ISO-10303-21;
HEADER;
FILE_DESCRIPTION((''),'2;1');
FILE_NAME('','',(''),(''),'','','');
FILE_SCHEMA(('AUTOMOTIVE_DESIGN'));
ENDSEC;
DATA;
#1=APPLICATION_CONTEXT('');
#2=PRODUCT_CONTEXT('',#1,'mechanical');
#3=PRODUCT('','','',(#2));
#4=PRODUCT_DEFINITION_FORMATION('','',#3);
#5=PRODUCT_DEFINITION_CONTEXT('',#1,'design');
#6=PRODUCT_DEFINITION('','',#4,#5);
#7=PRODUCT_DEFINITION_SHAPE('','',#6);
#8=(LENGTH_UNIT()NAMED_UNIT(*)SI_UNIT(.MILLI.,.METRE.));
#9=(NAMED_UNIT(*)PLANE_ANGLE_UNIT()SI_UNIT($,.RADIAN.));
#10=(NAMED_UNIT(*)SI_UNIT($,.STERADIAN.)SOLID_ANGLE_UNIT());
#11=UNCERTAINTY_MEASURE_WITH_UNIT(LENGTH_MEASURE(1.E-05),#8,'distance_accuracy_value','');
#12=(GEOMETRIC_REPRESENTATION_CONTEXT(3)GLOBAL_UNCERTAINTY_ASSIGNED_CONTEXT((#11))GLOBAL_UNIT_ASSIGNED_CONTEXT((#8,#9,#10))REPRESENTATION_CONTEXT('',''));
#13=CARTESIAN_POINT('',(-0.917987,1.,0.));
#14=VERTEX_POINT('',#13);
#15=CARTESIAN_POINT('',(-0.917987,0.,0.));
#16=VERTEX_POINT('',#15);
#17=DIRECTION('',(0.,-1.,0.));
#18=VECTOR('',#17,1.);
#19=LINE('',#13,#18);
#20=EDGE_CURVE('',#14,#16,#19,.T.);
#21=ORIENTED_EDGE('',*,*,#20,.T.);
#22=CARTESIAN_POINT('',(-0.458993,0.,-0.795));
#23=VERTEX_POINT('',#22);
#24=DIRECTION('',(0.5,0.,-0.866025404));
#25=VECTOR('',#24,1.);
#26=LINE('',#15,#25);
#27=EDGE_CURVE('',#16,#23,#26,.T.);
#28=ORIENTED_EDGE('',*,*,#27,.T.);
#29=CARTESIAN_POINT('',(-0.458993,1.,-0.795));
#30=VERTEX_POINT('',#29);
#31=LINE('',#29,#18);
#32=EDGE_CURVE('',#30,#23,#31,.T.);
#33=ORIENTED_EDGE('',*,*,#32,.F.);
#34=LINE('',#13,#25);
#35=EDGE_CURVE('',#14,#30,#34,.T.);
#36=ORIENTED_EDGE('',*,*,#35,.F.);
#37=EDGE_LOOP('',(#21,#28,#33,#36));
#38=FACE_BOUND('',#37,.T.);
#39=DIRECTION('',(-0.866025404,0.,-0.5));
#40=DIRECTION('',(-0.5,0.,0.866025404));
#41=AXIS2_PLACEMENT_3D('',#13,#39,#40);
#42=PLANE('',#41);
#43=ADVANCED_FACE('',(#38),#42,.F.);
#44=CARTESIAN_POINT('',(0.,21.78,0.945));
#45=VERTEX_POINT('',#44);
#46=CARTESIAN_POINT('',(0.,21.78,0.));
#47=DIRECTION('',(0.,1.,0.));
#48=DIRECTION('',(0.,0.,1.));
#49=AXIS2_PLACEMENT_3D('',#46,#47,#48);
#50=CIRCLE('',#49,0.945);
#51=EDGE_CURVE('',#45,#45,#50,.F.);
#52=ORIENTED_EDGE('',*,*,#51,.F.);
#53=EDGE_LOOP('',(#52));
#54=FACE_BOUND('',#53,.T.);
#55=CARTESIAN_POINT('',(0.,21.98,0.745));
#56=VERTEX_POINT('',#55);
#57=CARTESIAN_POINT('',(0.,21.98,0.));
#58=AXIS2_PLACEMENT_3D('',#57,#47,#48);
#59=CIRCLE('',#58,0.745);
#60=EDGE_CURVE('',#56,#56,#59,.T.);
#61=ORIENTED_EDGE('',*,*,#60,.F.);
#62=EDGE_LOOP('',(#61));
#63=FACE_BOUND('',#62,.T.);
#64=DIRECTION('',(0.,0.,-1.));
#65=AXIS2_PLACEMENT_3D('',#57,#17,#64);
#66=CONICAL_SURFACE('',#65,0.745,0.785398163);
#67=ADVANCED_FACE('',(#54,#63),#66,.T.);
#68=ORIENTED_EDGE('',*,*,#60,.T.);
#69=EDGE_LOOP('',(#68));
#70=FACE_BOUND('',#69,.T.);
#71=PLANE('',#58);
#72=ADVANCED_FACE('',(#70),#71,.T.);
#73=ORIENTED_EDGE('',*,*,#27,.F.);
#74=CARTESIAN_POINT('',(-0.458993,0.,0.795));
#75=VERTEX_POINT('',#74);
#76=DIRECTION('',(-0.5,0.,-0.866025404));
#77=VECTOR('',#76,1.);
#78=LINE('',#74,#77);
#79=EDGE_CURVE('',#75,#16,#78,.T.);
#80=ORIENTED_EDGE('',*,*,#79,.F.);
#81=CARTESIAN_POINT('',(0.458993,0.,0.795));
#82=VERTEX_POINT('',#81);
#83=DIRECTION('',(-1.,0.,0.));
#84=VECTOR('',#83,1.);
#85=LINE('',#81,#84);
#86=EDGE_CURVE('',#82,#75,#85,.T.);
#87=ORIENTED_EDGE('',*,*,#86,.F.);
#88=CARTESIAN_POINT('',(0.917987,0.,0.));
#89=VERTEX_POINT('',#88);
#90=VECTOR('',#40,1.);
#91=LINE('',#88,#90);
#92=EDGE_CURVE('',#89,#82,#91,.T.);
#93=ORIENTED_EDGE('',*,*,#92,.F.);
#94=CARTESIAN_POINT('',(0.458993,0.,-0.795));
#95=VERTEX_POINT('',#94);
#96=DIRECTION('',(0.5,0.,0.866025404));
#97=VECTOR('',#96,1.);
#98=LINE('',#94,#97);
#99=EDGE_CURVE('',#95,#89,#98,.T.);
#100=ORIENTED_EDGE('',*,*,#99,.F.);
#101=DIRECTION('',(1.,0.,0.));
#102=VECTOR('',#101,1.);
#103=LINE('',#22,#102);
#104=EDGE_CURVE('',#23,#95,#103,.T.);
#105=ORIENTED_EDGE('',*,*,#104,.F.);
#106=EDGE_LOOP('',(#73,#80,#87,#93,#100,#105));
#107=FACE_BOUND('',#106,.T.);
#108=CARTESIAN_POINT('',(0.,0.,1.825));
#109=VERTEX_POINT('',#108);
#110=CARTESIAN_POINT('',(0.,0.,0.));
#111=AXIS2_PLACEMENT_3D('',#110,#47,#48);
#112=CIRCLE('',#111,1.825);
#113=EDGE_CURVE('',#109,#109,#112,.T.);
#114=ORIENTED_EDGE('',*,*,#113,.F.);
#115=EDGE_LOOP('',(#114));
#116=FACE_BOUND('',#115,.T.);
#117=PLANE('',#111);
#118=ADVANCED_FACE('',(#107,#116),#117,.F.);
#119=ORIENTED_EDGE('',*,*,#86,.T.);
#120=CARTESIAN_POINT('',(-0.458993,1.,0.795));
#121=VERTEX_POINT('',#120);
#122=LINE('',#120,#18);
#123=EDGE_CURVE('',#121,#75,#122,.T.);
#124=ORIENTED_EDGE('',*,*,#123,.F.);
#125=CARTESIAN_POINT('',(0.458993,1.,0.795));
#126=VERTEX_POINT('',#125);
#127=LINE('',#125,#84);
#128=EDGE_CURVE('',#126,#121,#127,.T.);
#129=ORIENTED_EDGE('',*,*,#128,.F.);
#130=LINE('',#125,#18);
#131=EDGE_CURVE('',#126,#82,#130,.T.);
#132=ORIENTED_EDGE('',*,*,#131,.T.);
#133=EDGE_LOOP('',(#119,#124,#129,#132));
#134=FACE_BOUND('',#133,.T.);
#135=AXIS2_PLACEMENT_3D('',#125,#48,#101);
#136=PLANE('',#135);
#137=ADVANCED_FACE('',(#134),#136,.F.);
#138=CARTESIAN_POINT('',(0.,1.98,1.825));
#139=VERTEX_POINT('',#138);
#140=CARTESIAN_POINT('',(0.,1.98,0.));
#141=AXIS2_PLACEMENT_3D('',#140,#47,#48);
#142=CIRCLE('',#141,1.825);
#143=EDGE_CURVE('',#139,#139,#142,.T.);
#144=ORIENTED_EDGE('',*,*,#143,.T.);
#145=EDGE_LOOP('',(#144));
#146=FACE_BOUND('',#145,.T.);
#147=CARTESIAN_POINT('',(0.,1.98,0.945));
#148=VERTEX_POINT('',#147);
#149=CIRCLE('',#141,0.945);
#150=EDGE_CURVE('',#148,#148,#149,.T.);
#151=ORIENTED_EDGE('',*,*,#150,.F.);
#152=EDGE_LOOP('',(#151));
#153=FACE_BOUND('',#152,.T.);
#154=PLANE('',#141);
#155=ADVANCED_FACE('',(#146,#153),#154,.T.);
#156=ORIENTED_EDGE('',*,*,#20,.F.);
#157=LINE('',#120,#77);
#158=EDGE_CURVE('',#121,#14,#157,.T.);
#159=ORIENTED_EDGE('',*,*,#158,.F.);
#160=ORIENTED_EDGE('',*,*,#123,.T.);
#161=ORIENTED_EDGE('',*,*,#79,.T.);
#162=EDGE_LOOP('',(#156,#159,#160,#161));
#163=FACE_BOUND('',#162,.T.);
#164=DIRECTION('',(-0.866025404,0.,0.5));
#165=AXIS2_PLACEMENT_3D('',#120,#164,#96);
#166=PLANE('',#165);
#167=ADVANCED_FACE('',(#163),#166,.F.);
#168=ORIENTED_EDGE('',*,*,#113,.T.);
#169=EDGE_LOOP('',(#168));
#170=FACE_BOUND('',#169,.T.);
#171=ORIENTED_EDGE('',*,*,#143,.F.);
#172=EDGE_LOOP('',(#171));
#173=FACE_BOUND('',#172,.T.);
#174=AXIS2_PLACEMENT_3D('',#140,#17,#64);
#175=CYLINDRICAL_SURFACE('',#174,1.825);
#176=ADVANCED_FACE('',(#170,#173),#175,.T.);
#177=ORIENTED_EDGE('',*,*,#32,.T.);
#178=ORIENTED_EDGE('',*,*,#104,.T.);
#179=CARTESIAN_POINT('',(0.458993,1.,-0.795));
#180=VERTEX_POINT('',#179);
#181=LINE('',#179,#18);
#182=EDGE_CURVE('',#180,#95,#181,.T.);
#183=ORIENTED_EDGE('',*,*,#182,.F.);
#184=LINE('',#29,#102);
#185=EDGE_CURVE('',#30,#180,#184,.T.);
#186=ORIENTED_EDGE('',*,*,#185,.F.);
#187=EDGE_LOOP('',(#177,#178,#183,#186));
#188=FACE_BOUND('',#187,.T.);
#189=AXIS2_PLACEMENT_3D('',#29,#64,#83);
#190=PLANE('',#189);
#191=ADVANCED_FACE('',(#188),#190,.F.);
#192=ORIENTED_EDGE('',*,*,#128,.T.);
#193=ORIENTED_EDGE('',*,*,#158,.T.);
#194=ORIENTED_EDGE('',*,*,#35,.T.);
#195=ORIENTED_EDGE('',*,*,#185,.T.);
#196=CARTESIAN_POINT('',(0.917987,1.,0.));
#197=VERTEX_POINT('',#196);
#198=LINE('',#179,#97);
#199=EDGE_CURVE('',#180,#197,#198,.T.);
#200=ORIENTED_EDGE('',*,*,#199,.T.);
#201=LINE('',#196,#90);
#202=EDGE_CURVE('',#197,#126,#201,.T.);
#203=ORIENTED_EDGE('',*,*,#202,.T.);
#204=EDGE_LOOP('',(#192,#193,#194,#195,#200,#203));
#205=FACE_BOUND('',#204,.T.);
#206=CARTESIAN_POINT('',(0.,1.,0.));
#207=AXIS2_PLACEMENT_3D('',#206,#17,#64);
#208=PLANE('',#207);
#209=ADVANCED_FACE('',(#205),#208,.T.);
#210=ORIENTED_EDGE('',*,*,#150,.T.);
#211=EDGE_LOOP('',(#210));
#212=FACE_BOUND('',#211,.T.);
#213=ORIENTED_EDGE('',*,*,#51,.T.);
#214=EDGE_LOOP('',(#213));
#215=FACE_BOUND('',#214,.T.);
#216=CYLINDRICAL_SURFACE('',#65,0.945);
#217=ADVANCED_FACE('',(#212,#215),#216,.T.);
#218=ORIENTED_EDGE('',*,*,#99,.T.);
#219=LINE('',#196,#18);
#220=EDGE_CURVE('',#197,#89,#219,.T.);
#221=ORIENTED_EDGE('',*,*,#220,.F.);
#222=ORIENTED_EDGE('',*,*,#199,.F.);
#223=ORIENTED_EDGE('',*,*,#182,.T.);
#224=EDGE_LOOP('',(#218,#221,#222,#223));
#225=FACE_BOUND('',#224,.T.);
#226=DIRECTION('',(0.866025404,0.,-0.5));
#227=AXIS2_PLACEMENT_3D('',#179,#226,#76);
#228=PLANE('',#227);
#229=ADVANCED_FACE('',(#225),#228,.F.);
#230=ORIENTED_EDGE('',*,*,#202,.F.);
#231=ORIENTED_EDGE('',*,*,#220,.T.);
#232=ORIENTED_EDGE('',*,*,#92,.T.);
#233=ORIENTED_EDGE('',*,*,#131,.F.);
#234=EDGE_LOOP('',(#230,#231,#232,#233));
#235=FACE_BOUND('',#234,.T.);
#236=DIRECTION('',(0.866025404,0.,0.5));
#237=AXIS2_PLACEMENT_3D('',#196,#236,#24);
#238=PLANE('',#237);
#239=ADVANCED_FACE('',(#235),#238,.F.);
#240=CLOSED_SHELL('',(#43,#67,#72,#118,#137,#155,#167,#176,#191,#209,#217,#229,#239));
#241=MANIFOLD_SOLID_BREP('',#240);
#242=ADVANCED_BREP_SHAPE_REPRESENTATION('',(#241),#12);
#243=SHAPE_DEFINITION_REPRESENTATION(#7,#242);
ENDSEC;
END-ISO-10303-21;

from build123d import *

# Parameters (mm, degrees)
SKETCH1_R           = 1.825
BOSS_EXTRUDE1_DEPTH = 1.98
SKETCH2_R           = 0.945
BOSS_EXTRUDE2_DEPTH = 20
CUT_EXTRUDE1_DEPTH  = 1
CHAMFER1_SIZE       = 0.2


with BuildPart() as part:
    # Sketch1 → Boss-Extrude1 (new body)
    with BuildSketch(Plane(origin=(0, 0, 0), x_dir=(1, 0, 0), z_dir=(0, 1, 0))):
        Circle(SKETCH1_R)
    extrude(amount=BOSS_EXTRUDE1_DEPTH)

    # Sketch2 → Boss-Extrude2 (add)
    with BuildSketch(Plane(origin=(0, 1.98, 0), x_dir=(1, 0, 0), z_dir=(0, 1, 0))):
        Circle(SKETCH2_R)
    extrude(amount=BOSS_EXTRUDE2_DEPTH)

    # Sketch3 → Cut-Extrude1 (cut)
    with BuildSketch(Plane.XZ):
        Polygon((0.458993464, -0.795), (0.917986928, 0), (0.458993464, 0.795), (-0.458993464, 0.795), (-0.917986928, 0), (-0.458993464, -0.795), align=None)
    extrude(amount=-CUT_EXTRUDE1_DEPTH, mode=Mode.SUBTRACT)

    # Chamfer1
    chamfer1_edges = [part.edges().sort_by_distance(p)[0] for p in [
        (-0.945, 21.98, 0),
    ]]
    chamfer(chamfer1_edges, length=CHAMFER1_SIZE)


solid = part.part
